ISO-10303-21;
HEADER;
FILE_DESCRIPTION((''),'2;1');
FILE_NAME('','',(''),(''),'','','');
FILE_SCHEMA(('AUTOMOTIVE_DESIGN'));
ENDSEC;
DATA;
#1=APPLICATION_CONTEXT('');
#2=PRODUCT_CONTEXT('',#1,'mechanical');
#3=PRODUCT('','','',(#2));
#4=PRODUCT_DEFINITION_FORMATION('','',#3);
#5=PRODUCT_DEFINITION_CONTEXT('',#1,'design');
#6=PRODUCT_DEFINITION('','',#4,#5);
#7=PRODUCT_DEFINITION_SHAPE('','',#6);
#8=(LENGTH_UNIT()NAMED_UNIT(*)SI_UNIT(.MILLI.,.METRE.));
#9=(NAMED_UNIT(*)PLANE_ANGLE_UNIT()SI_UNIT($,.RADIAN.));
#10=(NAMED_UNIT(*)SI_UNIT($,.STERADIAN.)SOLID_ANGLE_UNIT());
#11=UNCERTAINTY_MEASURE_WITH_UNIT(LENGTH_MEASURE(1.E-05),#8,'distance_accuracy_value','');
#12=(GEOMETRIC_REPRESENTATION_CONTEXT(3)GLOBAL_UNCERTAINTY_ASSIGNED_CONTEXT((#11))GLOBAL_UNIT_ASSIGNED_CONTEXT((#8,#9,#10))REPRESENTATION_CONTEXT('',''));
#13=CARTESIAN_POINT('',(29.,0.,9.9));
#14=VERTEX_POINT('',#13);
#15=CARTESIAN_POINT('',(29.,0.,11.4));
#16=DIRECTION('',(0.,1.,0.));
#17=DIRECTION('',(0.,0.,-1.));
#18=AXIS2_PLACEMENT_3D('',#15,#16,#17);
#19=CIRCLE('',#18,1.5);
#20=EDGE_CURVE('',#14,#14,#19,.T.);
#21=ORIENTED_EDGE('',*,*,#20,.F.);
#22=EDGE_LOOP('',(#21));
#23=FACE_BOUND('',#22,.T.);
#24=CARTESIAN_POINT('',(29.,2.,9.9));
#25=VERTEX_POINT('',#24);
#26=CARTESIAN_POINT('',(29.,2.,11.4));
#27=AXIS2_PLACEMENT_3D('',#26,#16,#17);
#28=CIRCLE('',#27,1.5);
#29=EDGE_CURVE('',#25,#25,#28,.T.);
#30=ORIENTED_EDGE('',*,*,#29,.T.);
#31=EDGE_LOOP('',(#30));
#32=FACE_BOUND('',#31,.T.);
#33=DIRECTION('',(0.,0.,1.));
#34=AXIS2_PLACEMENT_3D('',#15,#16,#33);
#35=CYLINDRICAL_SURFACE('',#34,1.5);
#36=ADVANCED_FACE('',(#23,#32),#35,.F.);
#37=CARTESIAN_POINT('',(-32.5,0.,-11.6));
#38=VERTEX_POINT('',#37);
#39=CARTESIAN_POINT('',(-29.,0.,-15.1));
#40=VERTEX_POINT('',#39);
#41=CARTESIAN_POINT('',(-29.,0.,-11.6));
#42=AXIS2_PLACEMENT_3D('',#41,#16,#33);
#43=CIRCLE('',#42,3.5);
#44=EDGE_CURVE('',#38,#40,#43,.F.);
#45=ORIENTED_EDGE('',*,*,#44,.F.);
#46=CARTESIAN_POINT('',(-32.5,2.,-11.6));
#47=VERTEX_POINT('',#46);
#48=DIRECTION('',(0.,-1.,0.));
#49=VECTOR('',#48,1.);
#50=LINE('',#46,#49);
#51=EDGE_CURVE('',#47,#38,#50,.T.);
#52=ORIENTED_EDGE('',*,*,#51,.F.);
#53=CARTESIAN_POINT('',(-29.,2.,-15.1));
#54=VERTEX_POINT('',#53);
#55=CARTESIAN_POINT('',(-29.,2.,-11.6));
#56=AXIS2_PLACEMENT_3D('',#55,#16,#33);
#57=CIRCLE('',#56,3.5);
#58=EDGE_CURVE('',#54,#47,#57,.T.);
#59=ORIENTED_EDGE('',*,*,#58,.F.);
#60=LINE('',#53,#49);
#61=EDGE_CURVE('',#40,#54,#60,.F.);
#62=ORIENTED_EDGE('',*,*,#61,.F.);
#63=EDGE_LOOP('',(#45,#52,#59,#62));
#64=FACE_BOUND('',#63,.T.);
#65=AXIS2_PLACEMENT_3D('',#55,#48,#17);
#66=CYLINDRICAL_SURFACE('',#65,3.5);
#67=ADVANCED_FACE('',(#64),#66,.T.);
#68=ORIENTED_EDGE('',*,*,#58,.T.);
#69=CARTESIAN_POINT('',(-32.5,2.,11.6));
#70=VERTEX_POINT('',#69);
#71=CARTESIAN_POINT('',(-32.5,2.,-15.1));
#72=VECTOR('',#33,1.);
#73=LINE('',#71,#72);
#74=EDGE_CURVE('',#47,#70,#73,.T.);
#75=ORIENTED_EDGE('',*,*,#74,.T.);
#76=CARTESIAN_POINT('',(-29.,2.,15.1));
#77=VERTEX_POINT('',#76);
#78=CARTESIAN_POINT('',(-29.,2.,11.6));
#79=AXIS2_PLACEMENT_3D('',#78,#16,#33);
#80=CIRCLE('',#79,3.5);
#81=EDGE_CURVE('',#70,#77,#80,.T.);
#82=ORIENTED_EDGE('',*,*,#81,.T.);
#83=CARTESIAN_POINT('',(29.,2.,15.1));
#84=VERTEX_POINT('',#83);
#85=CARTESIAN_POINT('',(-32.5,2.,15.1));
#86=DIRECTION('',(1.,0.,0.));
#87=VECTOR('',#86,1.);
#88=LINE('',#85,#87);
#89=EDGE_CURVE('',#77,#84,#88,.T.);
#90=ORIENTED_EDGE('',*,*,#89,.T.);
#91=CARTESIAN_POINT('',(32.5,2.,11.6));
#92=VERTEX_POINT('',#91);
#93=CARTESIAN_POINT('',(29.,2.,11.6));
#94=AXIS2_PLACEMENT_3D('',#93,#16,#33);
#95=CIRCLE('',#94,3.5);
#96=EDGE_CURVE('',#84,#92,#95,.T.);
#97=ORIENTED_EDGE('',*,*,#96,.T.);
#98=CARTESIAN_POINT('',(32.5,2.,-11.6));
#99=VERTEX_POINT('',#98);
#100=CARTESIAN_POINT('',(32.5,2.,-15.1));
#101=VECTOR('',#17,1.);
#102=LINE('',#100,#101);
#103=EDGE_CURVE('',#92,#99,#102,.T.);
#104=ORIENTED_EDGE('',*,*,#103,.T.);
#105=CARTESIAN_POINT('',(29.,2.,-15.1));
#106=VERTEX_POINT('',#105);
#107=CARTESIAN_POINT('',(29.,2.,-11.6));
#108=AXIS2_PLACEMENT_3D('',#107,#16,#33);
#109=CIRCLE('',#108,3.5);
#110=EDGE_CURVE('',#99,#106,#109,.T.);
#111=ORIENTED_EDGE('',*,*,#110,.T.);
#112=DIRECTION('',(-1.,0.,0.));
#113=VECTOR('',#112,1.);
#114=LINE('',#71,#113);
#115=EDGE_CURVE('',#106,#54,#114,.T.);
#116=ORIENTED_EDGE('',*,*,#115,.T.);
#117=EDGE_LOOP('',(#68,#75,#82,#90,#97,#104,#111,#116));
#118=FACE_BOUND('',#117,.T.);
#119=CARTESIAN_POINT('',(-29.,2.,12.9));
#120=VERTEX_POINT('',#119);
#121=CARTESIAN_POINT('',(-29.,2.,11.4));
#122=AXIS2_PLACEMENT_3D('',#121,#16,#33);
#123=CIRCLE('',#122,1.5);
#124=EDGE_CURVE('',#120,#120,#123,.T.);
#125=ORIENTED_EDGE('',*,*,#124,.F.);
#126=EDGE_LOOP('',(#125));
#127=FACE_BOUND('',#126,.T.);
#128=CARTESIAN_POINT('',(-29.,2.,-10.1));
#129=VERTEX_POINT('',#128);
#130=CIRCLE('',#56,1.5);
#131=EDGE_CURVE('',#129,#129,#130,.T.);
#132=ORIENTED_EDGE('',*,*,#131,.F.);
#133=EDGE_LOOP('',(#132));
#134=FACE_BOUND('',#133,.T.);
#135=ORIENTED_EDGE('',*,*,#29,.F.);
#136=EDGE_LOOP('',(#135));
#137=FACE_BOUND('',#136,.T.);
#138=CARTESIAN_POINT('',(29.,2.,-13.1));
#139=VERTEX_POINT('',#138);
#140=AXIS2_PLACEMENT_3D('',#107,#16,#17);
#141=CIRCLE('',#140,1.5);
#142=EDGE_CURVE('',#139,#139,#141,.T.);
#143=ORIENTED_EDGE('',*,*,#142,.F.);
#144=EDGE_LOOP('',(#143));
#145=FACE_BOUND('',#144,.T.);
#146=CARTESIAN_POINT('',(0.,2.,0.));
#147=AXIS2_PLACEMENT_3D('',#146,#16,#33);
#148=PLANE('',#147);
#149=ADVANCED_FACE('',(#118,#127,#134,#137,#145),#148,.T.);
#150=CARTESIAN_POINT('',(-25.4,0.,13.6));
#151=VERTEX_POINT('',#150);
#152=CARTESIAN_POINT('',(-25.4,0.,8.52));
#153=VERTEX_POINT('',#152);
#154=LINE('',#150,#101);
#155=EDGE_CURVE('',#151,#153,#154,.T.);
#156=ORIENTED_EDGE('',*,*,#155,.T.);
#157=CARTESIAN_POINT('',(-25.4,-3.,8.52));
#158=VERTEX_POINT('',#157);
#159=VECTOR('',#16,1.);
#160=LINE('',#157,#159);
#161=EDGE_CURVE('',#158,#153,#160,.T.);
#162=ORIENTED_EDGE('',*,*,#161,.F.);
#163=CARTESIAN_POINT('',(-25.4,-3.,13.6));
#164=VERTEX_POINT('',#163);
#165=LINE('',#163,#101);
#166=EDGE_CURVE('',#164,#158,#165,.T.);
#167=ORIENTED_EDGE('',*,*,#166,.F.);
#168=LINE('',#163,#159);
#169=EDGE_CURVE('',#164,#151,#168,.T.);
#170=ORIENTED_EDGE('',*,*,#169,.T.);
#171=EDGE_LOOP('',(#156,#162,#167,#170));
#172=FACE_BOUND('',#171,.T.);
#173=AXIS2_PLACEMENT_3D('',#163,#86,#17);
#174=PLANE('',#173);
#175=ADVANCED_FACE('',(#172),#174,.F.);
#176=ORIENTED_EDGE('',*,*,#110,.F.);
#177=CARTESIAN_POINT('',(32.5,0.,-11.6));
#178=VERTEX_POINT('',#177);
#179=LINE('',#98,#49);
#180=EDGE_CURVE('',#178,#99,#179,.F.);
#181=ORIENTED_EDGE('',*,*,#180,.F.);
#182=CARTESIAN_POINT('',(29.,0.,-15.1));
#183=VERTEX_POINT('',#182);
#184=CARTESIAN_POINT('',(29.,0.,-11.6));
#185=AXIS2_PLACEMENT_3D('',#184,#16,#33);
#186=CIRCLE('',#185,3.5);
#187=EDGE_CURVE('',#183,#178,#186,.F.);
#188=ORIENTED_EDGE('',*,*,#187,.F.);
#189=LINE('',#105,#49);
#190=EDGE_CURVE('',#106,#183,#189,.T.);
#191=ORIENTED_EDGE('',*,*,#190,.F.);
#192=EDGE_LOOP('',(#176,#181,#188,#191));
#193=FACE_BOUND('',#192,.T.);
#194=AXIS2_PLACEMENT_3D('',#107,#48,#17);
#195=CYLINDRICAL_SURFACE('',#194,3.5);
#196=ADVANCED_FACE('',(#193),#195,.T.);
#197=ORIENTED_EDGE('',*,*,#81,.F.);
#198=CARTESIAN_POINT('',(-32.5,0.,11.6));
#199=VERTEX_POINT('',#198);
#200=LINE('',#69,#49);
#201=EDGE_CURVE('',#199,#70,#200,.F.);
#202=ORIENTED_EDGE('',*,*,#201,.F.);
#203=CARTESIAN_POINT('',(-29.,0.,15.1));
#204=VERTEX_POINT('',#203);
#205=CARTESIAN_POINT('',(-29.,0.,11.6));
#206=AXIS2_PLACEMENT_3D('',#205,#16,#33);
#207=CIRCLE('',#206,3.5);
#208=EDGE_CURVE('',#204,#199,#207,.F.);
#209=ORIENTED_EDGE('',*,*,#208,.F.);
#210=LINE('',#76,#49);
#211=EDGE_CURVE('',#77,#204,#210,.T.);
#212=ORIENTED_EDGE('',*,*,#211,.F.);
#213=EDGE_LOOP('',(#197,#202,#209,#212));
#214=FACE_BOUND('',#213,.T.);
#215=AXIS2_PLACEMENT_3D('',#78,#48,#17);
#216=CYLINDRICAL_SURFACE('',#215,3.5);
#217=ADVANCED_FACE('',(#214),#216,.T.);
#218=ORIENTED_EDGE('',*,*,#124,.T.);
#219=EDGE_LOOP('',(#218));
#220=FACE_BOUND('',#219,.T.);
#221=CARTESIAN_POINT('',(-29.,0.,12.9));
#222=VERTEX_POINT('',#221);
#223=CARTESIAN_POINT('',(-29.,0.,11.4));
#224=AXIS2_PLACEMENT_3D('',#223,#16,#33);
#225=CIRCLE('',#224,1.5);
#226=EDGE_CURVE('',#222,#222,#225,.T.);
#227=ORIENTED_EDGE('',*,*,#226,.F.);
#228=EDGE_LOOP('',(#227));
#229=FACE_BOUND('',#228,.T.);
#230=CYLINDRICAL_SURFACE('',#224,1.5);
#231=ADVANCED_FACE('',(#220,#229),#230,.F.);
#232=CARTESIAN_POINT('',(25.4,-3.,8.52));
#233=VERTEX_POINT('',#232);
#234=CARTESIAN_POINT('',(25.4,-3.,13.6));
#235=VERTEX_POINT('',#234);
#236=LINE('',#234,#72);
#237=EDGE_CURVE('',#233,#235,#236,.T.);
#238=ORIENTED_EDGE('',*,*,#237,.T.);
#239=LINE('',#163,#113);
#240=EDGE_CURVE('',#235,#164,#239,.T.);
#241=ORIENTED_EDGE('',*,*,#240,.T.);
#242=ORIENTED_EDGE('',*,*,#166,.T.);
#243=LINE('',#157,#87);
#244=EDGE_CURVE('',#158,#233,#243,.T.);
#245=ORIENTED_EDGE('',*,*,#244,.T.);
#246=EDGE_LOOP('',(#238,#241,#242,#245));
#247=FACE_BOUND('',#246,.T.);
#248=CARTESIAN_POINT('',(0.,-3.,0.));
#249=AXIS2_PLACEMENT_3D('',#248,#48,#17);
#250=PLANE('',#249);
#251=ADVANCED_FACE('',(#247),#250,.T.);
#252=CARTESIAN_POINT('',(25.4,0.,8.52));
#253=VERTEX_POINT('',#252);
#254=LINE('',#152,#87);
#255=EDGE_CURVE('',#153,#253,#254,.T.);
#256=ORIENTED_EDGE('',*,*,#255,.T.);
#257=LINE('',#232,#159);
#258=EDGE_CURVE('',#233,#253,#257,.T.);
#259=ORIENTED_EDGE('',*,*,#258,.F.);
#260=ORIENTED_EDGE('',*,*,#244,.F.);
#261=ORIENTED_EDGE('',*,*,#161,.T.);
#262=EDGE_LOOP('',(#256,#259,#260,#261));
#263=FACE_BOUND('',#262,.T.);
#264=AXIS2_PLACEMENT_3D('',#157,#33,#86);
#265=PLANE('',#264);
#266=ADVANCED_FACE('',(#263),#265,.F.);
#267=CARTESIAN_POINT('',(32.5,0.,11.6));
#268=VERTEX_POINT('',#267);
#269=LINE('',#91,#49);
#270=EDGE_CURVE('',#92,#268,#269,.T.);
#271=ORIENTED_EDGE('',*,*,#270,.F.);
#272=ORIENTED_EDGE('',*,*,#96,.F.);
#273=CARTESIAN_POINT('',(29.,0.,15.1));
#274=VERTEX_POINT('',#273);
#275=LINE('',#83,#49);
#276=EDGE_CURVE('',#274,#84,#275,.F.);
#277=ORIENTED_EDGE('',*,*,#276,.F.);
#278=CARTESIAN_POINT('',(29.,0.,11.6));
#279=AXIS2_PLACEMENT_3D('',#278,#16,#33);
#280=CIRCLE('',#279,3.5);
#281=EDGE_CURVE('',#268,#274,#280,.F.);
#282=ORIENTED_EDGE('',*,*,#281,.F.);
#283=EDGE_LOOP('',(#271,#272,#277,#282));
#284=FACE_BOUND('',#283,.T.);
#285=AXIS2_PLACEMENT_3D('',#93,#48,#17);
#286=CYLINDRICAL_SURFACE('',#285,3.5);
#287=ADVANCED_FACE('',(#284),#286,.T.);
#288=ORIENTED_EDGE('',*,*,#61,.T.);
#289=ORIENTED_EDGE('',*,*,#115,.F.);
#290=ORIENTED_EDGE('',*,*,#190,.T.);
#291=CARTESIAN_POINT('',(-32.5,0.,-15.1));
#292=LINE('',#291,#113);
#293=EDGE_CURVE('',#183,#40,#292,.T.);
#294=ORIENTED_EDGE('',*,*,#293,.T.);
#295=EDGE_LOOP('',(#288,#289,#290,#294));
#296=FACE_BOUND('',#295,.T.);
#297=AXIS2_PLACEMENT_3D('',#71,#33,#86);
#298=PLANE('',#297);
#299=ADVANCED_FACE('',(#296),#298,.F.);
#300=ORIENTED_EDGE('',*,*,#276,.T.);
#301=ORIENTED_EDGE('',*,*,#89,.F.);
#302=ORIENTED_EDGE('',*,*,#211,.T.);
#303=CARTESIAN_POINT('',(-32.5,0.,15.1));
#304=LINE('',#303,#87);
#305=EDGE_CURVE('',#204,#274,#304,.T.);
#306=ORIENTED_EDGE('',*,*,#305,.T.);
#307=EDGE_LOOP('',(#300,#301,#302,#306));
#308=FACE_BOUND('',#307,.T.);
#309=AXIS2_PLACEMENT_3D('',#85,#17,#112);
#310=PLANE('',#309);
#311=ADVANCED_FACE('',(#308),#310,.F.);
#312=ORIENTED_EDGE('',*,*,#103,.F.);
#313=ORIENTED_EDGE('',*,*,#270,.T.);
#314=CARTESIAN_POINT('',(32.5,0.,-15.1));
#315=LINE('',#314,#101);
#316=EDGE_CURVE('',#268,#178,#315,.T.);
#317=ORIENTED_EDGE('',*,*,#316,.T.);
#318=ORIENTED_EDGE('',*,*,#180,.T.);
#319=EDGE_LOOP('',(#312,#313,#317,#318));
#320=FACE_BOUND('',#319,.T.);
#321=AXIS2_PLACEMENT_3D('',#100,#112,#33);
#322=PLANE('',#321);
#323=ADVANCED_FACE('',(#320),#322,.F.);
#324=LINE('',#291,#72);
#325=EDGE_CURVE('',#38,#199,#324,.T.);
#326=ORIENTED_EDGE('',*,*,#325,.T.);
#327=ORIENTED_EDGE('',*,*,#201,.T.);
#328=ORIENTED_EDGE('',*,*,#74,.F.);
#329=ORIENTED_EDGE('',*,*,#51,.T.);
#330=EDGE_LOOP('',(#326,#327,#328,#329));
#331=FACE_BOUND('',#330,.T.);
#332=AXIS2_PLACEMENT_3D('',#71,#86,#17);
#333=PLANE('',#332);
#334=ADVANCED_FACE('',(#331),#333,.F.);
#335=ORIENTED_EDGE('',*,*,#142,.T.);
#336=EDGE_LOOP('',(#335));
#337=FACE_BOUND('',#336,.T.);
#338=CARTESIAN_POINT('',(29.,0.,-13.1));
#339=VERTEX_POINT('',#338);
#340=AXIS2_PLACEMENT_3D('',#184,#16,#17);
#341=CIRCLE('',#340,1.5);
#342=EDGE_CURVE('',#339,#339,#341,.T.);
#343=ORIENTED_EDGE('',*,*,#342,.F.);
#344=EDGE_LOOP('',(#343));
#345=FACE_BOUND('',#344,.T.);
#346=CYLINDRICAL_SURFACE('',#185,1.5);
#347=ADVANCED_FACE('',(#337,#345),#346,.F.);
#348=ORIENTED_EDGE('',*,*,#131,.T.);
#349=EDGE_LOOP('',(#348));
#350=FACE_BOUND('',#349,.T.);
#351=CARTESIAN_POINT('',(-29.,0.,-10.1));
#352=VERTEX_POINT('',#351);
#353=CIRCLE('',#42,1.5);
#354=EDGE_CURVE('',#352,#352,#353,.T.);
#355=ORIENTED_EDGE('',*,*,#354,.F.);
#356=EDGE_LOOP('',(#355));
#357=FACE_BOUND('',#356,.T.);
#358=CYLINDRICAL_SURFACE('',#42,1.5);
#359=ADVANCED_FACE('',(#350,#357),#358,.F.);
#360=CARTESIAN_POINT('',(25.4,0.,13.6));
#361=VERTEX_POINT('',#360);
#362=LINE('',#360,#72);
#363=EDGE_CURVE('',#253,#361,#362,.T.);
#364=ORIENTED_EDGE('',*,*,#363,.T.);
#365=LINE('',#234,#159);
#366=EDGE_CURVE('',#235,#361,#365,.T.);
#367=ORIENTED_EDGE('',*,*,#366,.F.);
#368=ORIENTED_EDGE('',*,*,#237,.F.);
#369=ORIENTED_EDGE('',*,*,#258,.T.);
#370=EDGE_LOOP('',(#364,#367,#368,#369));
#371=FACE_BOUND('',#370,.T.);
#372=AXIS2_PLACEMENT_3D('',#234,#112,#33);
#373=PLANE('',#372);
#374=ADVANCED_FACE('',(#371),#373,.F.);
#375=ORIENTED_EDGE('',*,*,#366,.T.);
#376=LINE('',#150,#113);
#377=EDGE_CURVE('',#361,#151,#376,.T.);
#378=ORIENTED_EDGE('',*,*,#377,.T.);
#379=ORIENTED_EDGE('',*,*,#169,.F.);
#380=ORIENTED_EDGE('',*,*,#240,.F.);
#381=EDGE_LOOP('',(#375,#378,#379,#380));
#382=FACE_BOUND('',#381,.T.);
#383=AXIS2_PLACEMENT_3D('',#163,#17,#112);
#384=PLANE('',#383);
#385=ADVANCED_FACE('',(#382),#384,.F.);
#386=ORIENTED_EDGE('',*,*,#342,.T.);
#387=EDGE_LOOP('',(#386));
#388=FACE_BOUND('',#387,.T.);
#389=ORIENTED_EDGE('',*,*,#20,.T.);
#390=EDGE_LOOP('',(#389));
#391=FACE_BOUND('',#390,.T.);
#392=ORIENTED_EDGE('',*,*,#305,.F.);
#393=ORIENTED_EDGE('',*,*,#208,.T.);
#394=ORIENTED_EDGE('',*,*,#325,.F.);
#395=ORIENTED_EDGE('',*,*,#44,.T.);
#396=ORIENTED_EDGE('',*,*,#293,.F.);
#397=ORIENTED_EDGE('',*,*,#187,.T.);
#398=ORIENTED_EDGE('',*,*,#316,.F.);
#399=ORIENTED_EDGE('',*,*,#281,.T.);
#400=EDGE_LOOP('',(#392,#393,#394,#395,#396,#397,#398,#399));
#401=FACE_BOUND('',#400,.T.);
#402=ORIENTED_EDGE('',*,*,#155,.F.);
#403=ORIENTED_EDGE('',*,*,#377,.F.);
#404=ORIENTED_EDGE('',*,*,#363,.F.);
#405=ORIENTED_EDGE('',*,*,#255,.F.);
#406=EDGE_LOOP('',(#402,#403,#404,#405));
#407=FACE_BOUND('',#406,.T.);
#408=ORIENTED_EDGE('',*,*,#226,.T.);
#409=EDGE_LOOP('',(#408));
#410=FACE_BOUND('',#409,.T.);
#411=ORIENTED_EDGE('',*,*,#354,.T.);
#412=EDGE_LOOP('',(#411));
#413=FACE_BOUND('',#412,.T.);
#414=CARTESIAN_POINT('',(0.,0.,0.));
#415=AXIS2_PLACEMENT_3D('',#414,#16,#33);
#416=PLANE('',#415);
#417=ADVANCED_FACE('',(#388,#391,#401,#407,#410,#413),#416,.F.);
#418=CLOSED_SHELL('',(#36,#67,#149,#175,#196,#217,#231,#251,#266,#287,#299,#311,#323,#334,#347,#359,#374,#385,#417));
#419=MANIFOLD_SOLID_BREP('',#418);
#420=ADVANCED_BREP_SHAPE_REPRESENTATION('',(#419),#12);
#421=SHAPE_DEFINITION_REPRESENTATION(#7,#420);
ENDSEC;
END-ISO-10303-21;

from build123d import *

# Parameters (mm, degrees)
SKETCH_1_W          = 65
SKETCH_1_H          = 30.2
EXTRUDE_1_DEPTH     = 2
SKETCH_2_R          = 1.5
CUT_EXTRUDE_1_DEPTH = 3
FILLET_1_R          = 3.5
SKETCH_4_W          = 50.8
SKETCH_4_H          = 5.08
EXTRUDE_2_DEPTH     = 3


with BuildPart() as part:
    # 草圖1 → 填料-伸長1 (new body)
    with BuildSketch(Plane(origin=(0, 0, 0), x_dir=(1, 0, 0), z_dir=(0, 1, 0))):
        Rectangle(SKETCH_1_W, SKETCH_1_H)
    extrude(amount=EXTRUDE_1_DEPTH)

    # 草圖2 → 除料-伸長1 (cut, through all)
    with BuildSketch(Plane(origin=(0, 2, 0), x_dir=(1, 0, 0), z_dir=(0, 1, 0))):
        with Locations((-29, 11.6)):
            Circle(SKETCH_2_R)
        with Locations((-29, -11.4)):
            Circle(SKETCH_2_R)
        with Locations((29, -11.4)):
            Circle(SKETCH_2_R)
        with Locations((29, 11.6)):
            Circle(SKETCH_2_R)
    extrude(amount=-CUT_EXTRUDE_1_DEPTH, mode=Mode.SUBTRACT)

    # 圓角1
    fillet_1_edges = [part.edges().sort_by_distance(p)[0] for p in [
        (32.5, 1, 15.1),
        (-32.5, 1, 15.1),
        (-32.5, 1, -15.1),
        (32.5, 1, -15.1),
    ]]
    fillet(fillet_1_edges, radius=FILLET_1_R)

    # 草圖4 → 填料-伸長2 (add)
    with BuildSketch(Plane.XZ):
        with Locations((0, 11.06)):
            Rectangle(SKETCH_4_W, SKETCH_4_H)
    extrude(amount=EXTRUDE_2_DEPTH)


solid = part.part
